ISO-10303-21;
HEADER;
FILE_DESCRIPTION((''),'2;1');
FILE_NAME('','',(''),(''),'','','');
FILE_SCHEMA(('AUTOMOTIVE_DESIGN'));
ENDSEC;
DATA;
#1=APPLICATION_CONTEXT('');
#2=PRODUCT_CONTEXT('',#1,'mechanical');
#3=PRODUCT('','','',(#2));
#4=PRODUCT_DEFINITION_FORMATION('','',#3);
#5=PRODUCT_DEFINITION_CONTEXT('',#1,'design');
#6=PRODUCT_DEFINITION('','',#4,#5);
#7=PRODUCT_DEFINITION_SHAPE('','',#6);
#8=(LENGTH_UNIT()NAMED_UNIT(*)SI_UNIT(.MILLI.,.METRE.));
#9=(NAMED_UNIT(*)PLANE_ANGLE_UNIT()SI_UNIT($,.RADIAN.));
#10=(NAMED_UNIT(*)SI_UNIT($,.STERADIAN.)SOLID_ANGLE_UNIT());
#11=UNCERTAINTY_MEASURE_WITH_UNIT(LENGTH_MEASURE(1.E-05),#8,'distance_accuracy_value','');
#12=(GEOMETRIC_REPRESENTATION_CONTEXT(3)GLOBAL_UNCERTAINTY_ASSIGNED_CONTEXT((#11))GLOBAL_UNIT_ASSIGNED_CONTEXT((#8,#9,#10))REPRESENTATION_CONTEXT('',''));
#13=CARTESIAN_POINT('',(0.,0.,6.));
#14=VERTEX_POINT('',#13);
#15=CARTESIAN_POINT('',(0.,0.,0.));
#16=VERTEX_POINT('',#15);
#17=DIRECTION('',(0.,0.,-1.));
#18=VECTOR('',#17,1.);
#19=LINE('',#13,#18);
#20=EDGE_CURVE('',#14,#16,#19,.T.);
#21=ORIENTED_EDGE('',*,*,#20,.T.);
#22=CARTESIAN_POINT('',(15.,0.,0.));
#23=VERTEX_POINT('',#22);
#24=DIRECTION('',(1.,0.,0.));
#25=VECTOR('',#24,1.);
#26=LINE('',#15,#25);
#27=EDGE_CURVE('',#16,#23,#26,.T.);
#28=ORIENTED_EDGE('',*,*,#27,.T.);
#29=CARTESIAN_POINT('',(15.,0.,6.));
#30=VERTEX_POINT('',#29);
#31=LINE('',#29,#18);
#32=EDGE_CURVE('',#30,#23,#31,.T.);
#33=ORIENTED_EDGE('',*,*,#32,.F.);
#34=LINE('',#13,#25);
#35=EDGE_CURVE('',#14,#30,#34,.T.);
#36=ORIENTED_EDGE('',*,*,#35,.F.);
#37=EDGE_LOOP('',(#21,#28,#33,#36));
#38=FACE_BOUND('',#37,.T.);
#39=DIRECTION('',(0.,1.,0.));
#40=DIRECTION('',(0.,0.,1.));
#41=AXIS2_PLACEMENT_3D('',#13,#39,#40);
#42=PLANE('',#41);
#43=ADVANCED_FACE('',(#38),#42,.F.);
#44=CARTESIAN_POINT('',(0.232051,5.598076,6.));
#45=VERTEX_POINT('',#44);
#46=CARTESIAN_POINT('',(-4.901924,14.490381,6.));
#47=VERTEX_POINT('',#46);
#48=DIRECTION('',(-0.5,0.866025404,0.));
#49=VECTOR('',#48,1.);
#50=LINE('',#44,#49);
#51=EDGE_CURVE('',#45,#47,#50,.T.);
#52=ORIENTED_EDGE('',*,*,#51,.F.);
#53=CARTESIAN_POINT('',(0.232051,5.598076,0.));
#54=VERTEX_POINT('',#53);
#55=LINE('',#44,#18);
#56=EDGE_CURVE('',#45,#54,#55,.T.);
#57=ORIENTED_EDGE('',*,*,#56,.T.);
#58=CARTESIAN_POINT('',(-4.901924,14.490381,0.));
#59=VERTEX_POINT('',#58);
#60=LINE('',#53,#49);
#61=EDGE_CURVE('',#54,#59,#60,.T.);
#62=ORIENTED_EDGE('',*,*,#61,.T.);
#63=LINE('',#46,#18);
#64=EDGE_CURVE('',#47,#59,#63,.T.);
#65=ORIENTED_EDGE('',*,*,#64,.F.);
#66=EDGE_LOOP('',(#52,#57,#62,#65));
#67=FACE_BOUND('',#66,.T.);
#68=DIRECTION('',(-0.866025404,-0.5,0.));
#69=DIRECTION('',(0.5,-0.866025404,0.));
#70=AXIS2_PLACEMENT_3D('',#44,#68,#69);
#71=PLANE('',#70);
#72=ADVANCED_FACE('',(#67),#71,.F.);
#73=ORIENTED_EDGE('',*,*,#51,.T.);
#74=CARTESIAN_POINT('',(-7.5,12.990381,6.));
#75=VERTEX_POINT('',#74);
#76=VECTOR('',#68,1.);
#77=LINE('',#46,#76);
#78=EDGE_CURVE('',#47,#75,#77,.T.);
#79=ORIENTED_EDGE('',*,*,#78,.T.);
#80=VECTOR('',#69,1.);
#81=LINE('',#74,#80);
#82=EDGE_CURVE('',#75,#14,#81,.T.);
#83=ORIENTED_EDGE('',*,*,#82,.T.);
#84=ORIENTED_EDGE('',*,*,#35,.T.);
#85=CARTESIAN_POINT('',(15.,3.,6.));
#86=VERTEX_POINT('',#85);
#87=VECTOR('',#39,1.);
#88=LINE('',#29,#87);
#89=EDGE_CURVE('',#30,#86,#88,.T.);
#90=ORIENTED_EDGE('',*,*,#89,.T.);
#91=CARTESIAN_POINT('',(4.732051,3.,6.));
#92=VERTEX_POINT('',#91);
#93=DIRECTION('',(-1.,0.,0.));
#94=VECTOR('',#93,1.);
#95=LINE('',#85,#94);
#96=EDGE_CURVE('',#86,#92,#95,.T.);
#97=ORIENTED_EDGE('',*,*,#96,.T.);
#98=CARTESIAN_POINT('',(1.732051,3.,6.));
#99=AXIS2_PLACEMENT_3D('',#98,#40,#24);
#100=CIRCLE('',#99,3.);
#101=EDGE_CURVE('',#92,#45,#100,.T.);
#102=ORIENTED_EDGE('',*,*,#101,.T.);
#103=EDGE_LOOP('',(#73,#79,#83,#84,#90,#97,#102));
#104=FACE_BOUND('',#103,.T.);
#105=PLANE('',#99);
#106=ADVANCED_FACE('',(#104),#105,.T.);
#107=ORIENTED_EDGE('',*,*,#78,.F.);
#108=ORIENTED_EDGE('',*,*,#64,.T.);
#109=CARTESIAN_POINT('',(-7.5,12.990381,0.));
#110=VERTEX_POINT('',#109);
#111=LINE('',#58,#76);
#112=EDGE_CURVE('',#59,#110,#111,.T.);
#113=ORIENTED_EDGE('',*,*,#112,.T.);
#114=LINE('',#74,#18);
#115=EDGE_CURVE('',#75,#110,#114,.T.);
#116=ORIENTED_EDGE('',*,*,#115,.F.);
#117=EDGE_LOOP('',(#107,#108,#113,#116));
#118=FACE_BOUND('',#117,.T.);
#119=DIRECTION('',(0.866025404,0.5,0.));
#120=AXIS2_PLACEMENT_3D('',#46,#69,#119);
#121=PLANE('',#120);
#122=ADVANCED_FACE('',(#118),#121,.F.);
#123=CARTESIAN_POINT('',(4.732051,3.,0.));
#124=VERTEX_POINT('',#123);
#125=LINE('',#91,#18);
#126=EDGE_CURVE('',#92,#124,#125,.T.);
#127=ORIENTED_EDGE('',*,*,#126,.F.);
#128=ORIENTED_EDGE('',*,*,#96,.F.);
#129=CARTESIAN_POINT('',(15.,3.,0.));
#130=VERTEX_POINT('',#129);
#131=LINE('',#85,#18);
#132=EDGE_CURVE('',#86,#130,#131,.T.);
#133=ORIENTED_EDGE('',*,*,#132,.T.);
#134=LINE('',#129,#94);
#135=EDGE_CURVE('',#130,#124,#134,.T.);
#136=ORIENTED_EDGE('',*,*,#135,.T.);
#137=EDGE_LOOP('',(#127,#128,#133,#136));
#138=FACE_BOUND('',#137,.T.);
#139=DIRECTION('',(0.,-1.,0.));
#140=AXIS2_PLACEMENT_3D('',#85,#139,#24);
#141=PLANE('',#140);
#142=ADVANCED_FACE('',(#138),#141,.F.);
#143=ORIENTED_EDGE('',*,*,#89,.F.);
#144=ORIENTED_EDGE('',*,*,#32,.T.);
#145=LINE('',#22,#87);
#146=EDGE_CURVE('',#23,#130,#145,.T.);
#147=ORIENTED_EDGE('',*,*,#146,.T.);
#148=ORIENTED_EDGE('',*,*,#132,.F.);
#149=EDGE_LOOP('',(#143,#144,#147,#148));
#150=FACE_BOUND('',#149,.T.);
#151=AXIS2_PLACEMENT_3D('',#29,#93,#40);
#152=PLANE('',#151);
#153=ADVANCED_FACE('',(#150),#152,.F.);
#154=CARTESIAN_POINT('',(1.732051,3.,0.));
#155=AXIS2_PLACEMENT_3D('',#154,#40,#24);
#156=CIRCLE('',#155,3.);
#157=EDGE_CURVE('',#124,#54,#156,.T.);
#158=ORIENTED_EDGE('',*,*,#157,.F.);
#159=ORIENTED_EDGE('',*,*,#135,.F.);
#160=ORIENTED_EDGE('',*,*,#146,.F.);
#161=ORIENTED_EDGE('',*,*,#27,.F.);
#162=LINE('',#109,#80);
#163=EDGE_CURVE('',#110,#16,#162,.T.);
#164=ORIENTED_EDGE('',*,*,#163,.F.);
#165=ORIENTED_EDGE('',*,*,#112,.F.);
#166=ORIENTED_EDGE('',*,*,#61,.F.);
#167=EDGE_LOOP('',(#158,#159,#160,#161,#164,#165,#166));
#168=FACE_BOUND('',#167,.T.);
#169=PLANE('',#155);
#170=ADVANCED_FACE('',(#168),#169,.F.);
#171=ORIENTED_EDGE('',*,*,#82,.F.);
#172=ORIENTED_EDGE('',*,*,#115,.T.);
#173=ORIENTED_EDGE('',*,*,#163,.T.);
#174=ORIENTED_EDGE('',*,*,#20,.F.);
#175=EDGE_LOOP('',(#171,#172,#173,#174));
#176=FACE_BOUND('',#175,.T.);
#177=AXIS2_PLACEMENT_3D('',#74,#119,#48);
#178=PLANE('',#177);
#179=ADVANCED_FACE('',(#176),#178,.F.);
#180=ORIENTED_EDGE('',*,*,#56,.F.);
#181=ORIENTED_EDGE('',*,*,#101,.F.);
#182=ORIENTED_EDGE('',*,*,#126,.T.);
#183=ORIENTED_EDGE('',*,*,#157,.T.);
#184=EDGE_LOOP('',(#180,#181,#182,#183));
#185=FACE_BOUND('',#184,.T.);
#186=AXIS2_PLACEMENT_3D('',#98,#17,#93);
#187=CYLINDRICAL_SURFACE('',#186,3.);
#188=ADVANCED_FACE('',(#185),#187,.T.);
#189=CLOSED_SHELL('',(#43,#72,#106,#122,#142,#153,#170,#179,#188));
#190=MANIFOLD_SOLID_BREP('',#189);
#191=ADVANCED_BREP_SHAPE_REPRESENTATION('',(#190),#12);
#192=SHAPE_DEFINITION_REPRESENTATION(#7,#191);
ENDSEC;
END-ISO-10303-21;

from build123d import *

# Parameters (mm, degrees)
BOSS_EXTRUDE1_DEPTH = 6


with BuildPart() as part:
    # Sketch1 → Boss-Extrude1 (new body)
    with BuildSketch(Plane.XY):
        with BuildLine():
            Line((0, 0), (15, 0))
            Line((15, 0), (15, 3))
            Line((15, 3), (4.732050808, 3))
            ThreePointArc((4.732050808, 3), (3.232050808, 5.598076211), (0.232050808, 5.598076211))
            Line((0.232050808, 5.598076211), (-4.901923789, 14.490381057))
            Line((-4.901923789, 14.490381057), (-7.5, 12.990381057))
            Line((-7.5, 12.990381057), (0, 0))
        make_face()
    extrude(amount=BOSS_EXTRUDE1_DEPTH)


solid = part.part
